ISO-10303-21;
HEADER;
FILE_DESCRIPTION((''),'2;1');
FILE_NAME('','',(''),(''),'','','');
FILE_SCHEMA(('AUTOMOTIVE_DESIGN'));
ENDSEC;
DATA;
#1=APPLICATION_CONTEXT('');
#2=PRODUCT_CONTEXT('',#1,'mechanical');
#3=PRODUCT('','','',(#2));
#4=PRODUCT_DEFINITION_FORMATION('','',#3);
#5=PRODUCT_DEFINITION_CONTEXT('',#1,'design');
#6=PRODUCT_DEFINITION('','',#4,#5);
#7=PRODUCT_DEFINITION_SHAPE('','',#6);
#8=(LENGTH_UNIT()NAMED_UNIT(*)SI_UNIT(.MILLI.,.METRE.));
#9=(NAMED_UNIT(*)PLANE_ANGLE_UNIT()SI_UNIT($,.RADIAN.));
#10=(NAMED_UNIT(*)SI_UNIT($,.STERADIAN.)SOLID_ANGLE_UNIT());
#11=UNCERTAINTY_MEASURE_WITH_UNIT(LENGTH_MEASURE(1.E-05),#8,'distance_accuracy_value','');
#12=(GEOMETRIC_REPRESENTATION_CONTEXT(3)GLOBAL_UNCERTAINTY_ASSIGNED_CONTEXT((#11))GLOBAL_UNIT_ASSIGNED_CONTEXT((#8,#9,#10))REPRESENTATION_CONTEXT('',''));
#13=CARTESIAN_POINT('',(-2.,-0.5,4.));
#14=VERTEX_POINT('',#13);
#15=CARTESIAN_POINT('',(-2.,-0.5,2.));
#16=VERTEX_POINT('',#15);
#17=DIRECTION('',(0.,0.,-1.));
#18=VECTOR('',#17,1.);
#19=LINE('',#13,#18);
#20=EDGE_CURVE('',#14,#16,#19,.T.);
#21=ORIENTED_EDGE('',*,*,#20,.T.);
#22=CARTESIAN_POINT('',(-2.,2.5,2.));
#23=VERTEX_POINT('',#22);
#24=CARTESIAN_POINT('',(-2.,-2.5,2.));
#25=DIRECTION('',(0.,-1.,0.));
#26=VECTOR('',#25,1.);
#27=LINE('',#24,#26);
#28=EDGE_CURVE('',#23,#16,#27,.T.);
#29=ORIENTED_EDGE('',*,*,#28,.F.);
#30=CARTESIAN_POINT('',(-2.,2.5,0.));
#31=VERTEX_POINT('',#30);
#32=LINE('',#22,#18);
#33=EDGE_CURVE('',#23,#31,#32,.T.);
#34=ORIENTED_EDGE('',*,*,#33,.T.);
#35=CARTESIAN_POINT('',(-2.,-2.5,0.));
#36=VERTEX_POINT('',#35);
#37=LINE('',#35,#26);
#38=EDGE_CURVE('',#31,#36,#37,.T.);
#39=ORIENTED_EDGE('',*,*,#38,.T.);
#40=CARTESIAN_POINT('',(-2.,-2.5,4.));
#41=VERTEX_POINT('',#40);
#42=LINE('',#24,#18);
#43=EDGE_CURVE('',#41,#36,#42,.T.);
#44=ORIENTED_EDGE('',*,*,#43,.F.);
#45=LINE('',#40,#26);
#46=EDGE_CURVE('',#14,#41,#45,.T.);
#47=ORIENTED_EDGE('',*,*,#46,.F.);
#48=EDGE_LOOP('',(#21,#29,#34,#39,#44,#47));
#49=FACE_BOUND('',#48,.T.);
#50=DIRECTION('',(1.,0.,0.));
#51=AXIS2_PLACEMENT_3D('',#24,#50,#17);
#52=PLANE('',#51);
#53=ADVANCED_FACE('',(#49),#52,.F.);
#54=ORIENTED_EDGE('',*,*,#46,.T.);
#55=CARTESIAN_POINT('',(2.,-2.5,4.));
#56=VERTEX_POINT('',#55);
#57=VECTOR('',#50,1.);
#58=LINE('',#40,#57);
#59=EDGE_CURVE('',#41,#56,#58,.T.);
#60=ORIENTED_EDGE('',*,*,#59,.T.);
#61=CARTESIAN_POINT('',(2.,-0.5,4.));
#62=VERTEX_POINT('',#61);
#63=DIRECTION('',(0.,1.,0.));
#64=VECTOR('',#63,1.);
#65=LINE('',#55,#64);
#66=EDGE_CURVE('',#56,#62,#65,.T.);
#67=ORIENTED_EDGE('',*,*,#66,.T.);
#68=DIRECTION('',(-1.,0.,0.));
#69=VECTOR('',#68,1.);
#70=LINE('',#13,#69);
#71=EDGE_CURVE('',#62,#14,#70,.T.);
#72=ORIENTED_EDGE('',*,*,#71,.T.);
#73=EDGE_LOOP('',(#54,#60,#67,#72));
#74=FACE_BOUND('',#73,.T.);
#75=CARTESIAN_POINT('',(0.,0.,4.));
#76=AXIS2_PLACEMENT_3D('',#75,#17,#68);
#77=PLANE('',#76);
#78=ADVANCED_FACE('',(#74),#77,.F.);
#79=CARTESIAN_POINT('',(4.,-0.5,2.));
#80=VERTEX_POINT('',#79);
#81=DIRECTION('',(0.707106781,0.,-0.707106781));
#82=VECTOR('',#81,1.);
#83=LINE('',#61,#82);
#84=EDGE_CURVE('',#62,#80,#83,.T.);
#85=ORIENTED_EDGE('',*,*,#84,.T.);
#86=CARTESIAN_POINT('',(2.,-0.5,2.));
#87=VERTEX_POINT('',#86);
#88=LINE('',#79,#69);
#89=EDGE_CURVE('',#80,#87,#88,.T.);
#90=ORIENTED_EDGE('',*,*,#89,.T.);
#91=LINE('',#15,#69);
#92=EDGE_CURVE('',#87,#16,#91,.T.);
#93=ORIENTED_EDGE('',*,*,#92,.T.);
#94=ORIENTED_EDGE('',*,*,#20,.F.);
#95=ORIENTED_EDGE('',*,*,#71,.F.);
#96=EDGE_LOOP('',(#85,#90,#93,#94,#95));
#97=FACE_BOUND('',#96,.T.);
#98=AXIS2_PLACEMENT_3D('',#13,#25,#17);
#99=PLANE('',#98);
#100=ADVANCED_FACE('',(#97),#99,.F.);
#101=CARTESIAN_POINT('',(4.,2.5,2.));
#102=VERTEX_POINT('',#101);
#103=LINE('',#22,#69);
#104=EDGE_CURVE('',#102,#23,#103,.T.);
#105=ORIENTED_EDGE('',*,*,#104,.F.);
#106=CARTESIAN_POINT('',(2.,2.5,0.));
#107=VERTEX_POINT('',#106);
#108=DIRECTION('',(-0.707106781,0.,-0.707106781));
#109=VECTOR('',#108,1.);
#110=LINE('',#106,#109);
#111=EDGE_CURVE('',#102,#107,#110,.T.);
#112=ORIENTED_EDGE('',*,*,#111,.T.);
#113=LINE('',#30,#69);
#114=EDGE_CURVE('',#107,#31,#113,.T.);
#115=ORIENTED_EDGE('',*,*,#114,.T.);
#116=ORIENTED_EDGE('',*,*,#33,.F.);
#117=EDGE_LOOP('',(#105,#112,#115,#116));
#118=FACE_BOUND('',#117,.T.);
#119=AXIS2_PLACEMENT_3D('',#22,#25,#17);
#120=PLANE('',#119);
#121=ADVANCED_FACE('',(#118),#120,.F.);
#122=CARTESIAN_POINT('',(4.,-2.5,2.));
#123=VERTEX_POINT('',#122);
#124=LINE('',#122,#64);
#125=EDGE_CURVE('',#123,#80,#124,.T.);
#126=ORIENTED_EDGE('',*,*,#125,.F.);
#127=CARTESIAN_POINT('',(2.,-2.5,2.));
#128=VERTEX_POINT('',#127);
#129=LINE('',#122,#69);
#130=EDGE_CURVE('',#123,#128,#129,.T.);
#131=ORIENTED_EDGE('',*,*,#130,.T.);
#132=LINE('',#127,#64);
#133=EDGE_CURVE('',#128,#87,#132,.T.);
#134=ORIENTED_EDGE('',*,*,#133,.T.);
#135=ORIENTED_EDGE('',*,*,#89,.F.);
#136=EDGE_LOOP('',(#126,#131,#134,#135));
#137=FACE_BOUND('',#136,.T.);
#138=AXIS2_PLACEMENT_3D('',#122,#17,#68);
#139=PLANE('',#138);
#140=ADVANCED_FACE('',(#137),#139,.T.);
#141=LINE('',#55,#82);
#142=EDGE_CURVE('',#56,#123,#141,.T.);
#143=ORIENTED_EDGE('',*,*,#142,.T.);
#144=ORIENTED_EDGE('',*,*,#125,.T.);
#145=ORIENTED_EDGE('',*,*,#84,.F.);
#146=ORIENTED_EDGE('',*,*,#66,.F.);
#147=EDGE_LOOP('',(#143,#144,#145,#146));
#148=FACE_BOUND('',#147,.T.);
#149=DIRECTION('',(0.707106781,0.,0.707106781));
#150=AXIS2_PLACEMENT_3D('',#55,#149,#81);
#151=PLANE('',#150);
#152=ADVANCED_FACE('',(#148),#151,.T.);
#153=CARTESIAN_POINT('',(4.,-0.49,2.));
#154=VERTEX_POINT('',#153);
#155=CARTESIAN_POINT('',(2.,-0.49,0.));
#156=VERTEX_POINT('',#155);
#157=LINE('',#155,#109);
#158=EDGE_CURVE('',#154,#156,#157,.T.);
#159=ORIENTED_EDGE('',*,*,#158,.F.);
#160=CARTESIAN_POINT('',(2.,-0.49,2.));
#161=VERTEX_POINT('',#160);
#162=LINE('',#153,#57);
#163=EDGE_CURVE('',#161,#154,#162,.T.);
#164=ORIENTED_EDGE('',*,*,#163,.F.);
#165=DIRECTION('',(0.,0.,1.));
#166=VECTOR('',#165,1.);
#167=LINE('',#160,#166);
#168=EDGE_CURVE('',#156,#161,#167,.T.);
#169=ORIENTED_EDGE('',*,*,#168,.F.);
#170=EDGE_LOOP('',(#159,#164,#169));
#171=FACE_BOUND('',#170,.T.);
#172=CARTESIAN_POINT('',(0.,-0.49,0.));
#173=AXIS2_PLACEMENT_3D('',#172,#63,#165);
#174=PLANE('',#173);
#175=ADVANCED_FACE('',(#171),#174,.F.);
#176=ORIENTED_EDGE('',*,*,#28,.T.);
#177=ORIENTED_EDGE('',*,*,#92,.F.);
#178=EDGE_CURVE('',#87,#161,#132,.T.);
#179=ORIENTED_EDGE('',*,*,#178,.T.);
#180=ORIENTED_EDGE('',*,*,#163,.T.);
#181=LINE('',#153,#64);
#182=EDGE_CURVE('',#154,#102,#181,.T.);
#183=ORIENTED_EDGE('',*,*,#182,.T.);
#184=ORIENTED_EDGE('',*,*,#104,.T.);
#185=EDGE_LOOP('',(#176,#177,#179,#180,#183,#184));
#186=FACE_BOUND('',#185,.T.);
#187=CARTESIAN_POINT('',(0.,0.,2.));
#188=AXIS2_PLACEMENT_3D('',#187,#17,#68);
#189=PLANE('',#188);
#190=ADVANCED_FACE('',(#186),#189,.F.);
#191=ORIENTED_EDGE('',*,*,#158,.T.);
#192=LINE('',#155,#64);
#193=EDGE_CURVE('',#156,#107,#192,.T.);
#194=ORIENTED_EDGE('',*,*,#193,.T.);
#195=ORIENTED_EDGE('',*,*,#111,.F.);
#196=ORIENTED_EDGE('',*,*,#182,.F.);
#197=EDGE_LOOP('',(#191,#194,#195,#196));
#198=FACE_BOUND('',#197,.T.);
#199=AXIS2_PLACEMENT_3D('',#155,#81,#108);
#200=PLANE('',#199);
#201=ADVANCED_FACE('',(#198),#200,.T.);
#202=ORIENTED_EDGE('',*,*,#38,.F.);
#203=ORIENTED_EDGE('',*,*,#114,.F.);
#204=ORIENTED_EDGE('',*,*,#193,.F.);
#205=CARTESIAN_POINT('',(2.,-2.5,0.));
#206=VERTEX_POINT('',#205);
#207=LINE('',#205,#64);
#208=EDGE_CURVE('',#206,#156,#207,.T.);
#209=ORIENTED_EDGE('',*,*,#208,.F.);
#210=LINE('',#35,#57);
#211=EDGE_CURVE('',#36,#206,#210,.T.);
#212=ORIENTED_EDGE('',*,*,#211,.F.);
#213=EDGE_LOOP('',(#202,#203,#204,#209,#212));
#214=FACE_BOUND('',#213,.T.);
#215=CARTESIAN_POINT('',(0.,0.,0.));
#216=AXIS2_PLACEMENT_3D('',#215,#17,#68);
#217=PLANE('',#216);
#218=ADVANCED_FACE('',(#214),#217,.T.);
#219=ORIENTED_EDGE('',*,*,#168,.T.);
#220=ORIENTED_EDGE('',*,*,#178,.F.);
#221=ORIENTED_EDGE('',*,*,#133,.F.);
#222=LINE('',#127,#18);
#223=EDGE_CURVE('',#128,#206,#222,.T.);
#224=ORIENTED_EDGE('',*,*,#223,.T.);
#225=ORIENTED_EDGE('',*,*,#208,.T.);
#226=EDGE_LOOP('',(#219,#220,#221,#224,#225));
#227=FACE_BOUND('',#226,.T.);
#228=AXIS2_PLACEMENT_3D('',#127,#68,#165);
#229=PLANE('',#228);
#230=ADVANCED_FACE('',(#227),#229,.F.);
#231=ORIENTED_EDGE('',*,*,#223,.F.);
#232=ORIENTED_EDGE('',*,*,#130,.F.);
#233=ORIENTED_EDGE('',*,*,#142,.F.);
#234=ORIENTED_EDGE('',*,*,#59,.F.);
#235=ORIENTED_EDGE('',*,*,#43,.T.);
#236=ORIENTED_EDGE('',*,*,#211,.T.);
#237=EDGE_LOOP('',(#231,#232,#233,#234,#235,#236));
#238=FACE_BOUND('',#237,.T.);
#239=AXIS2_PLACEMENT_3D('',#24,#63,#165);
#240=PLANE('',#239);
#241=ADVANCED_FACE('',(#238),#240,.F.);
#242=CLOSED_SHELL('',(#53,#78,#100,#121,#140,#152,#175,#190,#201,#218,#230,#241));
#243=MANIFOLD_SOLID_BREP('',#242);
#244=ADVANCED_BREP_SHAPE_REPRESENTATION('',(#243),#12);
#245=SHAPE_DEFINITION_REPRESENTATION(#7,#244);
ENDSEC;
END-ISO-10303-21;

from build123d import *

# Parameters (mm, degrees)
SKETCH1_W           = 4
SKETCH1_H           = 5
BOSS_EXTRUDE1_DEPTH = 2
SKETCH2_W           = 4
SKETCH2_H           = 2
BOSS_EXTRUDE2_DEPTH = 2
BOSS_EXTRUDE3_DEPTH = 2
BOSS_EXTRUDE5_DEPTH = 2.99


with BuildPart() as part:
    # Sketch1 → Boss-Extrude1 (new body)
    with BuildSketch(Plane.XY):
        Rectangle(SKETCH1_W, SKETCH1_H)
    extrude(amount=BOSS_EXTRUDE1_DEPTH)

    # Sketch2 → Boss-Extrude2 (add)
    with BuildSketch(Plane.XY.offset(2)):
        with Locations((0, -1.5)):
            Rectangle(SKETCH2_W, SKETCH2_H)
    extrude(amount=BOSS_EXTRUDE2_DEPTH)

    # Sketch3 → Boss-Extrude3 (add)
    with BuildSketch(Plane(origin=(0, -0.5, 0), x_dir=(1, 0, 0), z_dir=(0, 1, 0))):
        Polygon((2, -4), (4, -2), (2, -2), align=None)
    extrude(amount=-BOSS_EXTRUDE3_DEPTH)

    # Sketch5 → Boss-Extrude5 (add)
    with BuildSketch(Plane(origin=(0, 2.5, 0), x_dir=(1, 0, 0), z_dir=(0, 1, 0))):
        Polygon((2, 0), (4, -2), (2, -2), align=None)
    extrude(amount=-BOSS_EXTRUDE5_DEPTH)


solid = part.part
